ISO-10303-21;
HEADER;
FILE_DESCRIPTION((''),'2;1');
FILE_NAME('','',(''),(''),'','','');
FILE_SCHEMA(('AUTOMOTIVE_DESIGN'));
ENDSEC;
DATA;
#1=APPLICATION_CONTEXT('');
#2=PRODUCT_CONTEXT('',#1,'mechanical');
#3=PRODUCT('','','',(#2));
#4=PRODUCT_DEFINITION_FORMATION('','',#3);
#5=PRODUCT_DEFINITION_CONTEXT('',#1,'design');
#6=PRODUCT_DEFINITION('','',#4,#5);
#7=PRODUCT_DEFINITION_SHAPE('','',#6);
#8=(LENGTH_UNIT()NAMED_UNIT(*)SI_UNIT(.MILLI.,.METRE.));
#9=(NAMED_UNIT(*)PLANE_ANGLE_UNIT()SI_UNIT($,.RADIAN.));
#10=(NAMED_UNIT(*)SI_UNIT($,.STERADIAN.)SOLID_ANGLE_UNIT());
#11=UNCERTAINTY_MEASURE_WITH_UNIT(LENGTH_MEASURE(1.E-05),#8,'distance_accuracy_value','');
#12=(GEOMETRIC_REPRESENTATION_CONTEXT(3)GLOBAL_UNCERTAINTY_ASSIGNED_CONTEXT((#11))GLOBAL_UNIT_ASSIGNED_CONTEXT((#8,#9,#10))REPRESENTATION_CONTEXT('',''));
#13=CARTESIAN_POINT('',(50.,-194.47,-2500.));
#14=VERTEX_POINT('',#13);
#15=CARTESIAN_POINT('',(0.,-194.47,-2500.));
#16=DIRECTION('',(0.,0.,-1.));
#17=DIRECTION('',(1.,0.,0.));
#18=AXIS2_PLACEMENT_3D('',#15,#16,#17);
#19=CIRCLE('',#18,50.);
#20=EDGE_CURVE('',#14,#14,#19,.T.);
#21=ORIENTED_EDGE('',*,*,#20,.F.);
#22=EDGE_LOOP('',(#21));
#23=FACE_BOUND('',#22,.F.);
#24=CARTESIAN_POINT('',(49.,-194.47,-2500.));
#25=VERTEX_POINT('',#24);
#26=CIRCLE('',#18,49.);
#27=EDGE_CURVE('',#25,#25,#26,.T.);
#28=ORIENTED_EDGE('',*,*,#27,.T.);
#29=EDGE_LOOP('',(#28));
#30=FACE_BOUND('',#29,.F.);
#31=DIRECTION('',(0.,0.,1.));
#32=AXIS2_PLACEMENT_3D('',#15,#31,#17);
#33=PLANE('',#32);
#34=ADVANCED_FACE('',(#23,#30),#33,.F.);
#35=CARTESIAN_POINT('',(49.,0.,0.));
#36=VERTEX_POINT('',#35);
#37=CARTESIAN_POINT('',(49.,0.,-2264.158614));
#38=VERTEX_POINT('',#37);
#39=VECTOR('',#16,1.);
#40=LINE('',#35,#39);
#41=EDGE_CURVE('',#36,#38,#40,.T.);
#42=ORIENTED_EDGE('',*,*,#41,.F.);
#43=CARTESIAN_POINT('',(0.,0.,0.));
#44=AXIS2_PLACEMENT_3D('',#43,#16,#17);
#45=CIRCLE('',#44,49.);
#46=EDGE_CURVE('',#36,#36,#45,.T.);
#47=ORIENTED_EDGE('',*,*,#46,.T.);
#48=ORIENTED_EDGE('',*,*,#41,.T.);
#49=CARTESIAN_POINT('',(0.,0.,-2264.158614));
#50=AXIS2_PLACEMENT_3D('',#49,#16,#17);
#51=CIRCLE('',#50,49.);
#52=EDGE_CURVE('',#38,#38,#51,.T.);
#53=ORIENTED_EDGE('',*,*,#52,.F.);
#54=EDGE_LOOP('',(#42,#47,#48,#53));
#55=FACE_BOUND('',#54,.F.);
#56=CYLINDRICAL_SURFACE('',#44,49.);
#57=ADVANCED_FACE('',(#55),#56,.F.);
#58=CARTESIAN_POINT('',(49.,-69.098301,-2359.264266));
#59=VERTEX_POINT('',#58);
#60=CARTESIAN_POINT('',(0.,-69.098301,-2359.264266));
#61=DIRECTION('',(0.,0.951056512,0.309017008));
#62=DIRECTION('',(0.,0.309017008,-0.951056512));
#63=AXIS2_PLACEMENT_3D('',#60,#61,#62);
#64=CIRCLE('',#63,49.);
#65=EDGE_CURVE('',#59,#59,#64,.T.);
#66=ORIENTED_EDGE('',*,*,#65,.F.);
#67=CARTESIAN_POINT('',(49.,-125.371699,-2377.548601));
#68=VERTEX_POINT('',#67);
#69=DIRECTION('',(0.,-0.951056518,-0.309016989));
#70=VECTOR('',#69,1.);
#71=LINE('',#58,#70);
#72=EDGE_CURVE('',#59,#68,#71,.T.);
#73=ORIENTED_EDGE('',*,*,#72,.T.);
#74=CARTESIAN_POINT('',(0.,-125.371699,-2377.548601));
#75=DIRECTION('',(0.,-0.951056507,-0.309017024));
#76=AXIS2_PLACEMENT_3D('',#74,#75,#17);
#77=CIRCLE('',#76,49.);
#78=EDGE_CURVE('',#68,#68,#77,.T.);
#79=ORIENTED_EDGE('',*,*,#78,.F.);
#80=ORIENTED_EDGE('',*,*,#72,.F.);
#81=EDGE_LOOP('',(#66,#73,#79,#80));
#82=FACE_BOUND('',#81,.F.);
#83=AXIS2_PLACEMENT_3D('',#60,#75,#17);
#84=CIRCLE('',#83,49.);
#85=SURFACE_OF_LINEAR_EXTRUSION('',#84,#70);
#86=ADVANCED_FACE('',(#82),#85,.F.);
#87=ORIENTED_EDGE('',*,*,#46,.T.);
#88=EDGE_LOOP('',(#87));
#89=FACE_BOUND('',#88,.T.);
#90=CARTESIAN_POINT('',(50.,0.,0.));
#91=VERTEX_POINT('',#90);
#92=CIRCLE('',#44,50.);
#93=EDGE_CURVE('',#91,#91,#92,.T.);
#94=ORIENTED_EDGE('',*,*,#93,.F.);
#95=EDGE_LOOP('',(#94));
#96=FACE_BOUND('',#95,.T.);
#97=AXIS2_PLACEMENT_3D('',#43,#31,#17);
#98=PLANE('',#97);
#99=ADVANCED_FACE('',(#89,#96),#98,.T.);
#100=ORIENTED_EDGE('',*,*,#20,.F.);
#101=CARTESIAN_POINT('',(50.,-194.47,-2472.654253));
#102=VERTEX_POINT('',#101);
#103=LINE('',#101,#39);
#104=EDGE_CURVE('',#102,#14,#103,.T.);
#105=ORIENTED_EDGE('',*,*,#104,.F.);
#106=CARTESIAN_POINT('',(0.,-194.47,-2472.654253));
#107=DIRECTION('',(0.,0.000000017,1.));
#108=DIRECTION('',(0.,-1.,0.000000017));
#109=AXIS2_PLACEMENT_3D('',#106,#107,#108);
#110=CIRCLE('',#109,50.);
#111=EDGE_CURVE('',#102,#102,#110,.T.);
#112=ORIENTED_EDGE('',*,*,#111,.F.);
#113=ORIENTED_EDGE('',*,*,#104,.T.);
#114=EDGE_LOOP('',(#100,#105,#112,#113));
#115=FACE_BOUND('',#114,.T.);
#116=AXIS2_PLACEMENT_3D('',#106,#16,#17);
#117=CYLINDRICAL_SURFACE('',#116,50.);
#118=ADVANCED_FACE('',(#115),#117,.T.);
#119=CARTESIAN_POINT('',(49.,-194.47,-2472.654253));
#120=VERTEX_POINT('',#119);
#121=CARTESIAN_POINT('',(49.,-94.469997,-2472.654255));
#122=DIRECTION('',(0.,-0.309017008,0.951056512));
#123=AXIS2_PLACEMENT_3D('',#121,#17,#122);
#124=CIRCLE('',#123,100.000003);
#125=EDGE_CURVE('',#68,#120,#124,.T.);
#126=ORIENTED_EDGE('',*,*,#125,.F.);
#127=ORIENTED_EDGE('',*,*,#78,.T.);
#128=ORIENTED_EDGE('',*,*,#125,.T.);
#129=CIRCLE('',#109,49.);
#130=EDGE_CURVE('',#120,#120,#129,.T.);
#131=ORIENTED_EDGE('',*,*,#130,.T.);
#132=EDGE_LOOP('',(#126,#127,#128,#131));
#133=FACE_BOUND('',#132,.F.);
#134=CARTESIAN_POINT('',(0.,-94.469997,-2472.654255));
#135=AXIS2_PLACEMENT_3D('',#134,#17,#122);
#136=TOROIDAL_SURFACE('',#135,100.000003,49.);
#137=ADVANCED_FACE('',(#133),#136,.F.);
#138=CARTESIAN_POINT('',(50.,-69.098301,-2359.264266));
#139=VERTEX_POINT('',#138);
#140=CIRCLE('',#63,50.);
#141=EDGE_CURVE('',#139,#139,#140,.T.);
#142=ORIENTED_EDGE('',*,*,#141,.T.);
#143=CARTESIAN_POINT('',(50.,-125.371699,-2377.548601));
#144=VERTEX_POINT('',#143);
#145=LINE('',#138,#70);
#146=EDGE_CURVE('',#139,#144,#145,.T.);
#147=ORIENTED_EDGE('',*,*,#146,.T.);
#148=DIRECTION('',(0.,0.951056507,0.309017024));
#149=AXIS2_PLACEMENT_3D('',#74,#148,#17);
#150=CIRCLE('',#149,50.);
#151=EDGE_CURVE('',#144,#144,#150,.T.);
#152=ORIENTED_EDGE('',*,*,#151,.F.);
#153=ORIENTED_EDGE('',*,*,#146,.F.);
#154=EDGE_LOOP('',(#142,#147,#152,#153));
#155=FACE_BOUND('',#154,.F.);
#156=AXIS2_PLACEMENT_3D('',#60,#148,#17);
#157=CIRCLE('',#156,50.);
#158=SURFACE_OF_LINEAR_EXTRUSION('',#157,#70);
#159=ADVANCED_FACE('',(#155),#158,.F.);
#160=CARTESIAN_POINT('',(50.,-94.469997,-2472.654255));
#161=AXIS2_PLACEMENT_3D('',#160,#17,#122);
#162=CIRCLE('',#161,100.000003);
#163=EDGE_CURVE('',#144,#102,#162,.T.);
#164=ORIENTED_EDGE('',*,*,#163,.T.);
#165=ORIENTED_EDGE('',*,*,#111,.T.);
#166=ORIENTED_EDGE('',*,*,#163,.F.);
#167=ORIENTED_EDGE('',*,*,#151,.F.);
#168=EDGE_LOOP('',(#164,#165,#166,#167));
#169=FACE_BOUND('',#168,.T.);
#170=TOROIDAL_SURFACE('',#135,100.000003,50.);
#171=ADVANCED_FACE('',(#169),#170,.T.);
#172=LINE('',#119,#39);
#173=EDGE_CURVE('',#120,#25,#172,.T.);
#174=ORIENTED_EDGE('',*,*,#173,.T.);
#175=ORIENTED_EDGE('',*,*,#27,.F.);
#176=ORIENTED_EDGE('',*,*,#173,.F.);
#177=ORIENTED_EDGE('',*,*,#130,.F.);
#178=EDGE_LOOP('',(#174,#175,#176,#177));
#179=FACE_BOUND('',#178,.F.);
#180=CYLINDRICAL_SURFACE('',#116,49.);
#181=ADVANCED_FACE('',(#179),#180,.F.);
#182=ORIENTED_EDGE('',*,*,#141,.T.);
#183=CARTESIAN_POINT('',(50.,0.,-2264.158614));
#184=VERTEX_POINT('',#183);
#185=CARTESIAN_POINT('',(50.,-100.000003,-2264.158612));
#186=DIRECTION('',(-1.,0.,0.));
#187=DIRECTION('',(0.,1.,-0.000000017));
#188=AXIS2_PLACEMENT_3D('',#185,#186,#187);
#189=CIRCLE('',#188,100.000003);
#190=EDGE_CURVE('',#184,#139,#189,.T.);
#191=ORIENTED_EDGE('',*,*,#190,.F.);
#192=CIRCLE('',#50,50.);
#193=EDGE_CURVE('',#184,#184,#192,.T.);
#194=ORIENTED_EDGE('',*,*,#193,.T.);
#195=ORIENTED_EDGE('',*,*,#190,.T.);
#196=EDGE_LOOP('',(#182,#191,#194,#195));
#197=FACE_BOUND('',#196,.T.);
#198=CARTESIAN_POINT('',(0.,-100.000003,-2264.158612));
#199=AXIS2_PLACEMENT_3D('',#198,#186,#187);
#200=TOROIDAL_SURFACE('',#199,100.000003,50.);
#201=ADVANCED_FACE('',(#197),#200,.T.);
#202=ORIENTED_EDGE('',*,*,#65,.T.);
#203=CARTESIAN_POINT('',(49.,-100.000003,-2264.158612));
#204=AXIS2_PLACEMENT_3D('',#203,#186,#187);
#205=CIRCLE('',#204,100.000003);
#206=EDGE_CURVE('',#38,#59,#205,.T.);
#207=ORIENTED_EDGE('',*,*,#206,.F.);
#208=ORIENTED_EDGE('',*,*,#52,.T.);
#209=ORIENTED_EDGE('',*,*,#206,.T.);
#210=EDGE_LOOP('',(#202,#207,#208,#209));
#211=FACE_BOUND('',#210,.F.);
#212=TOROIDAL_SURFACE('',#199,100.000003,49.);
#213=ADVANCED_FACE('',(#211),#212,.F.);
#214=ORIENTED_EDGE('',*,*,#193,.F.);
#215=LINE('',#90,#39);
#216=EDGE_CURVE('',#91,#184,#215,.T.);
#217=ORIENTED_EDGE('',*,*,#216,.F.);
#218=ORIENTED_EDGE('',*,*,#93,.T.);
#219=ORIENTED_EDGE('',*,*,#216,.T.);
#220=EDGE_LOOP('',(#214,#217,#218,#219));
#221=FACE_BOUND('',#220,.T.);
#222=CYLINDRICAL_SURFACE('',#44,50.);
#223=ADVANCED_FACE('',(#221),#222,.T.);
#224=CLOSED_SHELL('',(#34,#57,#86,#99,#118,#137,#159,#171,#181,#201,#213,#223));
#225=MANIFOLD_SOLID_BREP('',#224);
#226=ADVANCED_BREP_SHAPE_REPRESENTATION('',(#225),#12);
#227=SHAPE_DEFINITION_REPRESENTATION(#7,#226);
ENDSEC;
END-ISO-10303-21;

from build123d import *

# Parameters (mm, degrees)
F1_R   = 50
F1_R_2 = 49


with BuildPart() as f2:
    # F2: sweep along a path in F0
    with BuildLine(Plane.YZ) as f2_path:
        Line((0, 0), (0, -2264.158614))
        ThreePointArc((0, -2264.158614), (-19.098301, -2322.937139), (-69.098301, -2359.264266))
        Line((-69.098301, -2359.264266), (-125.371699, -2377.548601))
        ThreePointArc((-125.371699, -2377.548601), (-175.371699, -2413.875728), (-194.47, -2472.654253))
        Line((-194.47, -2472.654253), (-194.47, -2500))
    # F1 (on Top) → F2 (sweep)
    with BuildSketch(Plane.XY):
        Circle(F1_R)
        Circle(F1_R_2, mode=Mode.SUBTRACT)
    sweep(path=f2_path.line)


solid = f2.part
